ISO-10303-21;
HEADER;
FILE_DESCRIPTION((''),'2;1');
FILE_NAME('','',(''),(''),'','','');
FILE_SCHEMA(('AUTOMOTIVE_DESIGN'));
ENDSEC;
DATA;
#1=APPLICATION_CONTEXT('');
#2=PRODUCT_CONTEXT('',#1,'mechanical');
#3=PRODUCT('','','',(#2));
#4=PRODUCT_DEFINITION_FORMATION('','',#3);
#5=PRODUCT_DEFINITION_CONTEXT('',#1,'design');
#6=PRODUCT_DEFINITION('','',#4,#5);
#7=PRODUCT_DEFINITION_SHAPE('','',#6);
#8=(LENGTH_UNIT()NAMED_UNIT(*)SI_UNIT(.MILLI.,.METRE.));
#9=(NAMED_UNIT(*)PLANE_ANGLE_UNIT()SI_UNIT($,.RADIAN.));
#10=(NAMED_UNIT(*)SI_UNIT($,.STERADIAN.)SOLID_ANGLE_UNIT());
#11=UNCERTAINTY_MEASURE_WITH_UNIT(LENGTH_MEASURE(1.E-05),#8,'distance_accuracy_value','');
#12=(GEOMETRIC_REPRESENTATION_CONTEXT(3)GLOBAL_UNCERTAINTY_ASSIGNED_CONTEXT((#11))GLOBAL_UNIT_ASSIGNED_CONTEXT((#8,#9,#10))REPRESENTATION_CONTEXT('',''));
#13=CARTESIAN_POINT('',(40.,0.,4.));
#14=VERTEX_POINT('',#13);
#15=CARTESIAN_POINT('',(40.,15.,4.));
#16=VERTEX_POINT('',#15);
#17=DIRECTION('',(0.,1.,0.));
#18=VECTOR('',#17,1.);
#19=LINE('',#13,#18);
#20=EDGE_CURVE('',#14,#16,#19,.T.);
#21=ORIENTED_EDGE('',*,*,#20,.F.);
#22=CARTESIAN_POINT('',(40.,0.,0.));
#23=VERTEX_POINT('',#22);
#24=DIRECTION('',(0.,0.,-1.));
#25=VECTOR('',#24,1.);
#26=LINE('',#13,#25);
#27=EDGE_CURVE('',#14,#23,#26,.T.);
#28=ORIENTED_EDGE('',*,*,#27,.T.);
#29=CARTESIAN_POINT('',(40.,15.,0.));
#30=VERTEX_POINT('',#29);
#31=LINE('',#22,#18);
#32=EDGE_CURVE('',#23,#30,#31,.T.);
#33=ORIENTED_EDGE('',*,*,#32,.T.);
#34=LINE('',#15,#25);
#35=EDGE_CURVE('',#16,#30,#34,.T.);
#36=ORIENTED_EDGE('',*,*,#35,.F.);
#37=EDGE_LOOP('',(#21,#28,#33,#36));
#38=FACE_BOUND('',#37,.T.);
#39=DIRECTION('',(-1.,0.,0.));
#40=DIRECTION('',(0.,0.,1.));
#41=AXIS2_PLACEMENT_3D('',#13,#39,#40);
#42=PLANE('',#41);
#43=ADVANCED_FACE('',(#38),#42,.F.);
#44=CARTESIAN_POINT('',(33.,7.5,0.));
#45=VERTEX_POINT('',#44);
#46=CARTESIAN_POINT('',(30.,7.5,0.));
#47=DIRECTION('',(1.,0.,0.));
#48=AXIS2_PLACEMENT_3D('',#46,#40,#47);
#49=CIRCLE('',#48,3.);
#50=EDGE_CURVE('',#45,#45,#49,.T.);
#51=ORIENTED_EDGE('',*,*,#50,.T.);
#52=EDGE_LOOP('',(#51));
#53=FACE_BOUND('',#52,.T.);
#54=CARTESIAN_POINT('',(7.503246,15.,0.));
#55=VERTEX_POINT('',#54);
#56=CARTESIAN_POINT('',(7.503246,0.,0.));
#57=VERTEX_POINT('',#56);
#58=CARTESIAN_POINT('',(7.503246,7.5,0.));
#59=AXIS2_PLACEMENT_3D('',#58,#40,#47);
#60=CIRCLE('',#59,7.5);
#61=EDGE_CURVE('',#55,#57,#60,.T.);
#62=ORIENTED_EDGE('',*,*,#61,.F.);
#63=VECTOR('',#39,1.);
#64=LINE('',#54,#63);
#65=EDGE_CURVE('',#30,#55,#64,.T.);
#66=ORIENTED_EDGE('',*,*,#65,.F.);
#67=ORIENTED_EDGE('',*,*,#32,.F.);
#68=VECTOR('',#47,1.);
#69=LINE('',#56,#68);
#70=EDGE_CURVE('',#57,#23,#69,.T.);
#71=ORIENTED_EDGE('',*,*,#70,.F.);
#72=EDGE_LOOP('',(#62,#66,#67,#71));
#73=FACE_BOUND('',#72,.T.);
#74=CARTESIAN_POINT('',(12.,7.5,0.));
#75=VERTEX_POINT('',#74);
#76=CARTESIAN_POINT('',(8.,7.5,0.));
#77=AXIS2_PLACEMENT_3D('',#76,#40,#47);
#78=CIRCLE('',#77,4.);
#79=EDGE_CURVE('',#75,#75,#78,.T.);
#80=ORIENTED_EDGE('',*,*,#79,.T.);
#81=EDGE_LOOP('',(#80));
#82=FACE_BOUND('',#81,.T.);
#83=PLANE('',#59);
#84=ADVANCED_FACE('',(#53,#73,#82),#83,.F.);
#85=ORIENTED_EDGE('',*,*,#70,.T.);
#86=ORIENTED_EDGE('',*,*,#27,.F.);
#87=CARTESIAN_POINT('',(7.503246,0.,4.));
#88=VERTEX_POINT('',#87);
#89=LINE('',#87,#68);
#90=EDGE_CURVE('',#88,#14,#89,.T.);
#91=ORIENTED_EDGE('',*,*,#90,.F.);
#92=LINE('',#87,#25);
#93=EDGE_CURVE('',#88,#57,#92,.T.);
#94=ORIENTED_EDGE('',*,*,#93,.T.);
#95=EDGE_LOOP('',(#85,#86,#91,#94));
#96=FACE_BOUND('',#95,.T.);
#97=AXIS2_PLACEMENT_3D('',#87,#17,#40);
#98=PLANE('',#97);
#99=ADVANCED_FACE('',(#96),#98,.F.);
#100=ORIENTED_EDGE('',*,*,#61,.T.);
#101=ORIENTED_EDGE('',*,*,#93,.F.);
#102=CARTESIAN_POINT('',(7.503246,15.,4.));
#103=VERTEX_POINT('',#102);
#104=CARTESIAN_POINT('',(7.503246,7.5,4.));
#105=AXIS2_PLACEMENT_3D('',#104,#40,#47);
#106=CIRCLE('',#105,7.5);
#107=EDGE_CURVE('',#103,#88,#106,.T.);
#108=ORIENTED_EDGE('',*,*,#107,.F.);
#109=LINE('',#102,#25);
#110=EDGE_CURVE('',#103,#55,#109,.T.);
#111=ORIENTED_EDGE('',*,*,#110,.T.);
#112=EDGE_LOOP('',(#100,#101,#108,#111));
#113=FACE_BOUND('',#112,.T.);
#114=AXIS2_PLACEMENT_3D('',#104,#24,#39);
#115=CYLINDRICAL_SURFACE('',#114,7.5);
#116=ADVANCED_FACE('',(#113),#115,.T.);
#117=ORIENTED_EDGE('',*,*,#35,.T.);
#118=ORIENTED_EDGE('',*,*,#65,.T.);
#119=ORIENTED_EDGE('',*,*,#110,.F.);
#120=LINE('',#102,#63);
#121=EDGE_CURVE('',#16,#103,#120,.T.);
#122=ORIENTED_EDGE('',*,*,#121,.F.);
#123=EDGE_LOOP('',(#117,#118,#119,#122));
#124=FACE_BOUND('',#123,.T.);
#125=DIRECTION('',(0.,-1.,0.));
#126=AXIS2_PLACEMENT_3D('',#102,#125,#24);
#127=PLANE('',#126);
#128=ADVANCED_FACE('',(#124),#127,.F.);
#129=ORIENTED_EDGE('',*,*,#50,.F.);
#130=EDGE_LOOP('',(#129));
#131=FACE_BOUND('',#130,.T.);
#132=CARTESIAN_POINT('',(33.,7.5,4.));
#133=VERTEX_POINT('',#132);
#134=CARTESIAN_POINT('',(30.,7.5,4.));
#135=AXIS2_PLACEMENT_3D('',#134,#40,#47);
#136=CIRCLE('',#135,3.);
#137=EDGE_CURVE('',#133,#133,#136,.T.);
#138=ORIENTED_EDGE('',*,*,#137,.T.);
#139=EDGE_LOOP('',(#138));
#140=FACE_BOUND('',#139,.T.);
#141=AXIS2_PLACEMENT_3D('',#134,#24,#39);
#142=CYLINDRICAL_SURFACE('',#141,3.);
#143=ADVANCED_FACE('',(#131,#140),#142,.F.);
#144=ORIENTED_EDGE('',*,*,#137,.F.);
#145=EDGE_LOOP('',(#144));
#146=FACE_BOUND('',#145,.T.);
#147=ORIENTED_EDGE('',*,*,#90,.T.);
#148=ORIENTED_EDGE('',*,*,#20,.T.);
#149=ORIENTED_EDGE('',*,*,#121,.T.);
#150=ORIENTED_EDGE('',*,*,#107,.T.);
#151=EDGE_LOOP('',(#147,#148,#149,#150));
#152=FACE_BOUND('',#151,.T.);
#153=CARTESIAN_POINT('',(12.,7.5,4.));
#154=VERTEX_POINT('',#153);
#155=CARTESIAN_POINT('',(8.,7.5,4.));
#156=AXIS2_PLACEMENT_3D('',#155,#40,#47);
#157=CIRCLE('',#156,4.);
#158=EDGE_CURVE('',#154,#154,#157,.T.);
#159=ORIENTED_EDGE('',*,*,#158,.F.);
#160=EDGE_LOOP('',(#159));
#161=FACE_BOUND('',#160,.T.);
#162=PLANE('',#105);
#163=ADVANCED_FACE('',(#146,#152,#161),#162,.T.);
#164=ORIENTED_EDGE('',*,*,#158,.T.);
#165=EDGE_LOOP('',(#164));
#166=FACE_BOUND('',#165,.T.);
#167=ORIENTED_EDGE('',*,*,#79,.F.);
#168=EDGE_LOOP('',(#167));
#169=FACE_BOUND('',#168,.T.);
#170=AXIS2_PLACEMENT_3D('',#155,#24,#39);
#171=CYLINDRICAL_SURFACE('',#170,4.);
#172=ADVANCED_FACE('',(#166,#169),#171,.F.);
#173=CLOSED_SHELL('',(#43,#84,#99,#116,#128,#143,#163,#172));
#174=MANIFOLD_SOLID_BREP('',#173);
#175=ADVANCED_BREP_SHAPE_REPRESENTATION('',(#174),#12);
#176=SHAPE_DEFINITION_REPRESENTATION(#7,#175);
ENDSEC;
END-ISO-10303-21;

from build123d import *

# Parameters (mm, degrees)
SKETCH_1_R      = 4
SKETCH_1_R_2    = 3
EXTRUDE_1_DEPTH = 4


with BuildPart() as part:
    # Эскиз1 → Бобышка-Вытянуть1 (new body)
    with BuildSketch(Plane.XY):
        with BuildLine():
            Line((7.503245675, 0), (40, 0))
            Line((40, 0), (40, 15))
            Line((40, 15), (7.503245675, 15))
            ThreePointArc((7.503245675, 15), (0.003245675, 7.5), (7.503245675, 0))
        make_face()
        with Locations((8, 7.5)):
            Circle(SKETCH_1_R, mode=Mode.SUBTRACT)
        with Locations((30, 7.5)):
            Circle(SKETCH_1_R_2, mode=Mode.SUBTRACT)
    extrude(amount=EXTRUDE_1_DEPTH)


solid = part.part
